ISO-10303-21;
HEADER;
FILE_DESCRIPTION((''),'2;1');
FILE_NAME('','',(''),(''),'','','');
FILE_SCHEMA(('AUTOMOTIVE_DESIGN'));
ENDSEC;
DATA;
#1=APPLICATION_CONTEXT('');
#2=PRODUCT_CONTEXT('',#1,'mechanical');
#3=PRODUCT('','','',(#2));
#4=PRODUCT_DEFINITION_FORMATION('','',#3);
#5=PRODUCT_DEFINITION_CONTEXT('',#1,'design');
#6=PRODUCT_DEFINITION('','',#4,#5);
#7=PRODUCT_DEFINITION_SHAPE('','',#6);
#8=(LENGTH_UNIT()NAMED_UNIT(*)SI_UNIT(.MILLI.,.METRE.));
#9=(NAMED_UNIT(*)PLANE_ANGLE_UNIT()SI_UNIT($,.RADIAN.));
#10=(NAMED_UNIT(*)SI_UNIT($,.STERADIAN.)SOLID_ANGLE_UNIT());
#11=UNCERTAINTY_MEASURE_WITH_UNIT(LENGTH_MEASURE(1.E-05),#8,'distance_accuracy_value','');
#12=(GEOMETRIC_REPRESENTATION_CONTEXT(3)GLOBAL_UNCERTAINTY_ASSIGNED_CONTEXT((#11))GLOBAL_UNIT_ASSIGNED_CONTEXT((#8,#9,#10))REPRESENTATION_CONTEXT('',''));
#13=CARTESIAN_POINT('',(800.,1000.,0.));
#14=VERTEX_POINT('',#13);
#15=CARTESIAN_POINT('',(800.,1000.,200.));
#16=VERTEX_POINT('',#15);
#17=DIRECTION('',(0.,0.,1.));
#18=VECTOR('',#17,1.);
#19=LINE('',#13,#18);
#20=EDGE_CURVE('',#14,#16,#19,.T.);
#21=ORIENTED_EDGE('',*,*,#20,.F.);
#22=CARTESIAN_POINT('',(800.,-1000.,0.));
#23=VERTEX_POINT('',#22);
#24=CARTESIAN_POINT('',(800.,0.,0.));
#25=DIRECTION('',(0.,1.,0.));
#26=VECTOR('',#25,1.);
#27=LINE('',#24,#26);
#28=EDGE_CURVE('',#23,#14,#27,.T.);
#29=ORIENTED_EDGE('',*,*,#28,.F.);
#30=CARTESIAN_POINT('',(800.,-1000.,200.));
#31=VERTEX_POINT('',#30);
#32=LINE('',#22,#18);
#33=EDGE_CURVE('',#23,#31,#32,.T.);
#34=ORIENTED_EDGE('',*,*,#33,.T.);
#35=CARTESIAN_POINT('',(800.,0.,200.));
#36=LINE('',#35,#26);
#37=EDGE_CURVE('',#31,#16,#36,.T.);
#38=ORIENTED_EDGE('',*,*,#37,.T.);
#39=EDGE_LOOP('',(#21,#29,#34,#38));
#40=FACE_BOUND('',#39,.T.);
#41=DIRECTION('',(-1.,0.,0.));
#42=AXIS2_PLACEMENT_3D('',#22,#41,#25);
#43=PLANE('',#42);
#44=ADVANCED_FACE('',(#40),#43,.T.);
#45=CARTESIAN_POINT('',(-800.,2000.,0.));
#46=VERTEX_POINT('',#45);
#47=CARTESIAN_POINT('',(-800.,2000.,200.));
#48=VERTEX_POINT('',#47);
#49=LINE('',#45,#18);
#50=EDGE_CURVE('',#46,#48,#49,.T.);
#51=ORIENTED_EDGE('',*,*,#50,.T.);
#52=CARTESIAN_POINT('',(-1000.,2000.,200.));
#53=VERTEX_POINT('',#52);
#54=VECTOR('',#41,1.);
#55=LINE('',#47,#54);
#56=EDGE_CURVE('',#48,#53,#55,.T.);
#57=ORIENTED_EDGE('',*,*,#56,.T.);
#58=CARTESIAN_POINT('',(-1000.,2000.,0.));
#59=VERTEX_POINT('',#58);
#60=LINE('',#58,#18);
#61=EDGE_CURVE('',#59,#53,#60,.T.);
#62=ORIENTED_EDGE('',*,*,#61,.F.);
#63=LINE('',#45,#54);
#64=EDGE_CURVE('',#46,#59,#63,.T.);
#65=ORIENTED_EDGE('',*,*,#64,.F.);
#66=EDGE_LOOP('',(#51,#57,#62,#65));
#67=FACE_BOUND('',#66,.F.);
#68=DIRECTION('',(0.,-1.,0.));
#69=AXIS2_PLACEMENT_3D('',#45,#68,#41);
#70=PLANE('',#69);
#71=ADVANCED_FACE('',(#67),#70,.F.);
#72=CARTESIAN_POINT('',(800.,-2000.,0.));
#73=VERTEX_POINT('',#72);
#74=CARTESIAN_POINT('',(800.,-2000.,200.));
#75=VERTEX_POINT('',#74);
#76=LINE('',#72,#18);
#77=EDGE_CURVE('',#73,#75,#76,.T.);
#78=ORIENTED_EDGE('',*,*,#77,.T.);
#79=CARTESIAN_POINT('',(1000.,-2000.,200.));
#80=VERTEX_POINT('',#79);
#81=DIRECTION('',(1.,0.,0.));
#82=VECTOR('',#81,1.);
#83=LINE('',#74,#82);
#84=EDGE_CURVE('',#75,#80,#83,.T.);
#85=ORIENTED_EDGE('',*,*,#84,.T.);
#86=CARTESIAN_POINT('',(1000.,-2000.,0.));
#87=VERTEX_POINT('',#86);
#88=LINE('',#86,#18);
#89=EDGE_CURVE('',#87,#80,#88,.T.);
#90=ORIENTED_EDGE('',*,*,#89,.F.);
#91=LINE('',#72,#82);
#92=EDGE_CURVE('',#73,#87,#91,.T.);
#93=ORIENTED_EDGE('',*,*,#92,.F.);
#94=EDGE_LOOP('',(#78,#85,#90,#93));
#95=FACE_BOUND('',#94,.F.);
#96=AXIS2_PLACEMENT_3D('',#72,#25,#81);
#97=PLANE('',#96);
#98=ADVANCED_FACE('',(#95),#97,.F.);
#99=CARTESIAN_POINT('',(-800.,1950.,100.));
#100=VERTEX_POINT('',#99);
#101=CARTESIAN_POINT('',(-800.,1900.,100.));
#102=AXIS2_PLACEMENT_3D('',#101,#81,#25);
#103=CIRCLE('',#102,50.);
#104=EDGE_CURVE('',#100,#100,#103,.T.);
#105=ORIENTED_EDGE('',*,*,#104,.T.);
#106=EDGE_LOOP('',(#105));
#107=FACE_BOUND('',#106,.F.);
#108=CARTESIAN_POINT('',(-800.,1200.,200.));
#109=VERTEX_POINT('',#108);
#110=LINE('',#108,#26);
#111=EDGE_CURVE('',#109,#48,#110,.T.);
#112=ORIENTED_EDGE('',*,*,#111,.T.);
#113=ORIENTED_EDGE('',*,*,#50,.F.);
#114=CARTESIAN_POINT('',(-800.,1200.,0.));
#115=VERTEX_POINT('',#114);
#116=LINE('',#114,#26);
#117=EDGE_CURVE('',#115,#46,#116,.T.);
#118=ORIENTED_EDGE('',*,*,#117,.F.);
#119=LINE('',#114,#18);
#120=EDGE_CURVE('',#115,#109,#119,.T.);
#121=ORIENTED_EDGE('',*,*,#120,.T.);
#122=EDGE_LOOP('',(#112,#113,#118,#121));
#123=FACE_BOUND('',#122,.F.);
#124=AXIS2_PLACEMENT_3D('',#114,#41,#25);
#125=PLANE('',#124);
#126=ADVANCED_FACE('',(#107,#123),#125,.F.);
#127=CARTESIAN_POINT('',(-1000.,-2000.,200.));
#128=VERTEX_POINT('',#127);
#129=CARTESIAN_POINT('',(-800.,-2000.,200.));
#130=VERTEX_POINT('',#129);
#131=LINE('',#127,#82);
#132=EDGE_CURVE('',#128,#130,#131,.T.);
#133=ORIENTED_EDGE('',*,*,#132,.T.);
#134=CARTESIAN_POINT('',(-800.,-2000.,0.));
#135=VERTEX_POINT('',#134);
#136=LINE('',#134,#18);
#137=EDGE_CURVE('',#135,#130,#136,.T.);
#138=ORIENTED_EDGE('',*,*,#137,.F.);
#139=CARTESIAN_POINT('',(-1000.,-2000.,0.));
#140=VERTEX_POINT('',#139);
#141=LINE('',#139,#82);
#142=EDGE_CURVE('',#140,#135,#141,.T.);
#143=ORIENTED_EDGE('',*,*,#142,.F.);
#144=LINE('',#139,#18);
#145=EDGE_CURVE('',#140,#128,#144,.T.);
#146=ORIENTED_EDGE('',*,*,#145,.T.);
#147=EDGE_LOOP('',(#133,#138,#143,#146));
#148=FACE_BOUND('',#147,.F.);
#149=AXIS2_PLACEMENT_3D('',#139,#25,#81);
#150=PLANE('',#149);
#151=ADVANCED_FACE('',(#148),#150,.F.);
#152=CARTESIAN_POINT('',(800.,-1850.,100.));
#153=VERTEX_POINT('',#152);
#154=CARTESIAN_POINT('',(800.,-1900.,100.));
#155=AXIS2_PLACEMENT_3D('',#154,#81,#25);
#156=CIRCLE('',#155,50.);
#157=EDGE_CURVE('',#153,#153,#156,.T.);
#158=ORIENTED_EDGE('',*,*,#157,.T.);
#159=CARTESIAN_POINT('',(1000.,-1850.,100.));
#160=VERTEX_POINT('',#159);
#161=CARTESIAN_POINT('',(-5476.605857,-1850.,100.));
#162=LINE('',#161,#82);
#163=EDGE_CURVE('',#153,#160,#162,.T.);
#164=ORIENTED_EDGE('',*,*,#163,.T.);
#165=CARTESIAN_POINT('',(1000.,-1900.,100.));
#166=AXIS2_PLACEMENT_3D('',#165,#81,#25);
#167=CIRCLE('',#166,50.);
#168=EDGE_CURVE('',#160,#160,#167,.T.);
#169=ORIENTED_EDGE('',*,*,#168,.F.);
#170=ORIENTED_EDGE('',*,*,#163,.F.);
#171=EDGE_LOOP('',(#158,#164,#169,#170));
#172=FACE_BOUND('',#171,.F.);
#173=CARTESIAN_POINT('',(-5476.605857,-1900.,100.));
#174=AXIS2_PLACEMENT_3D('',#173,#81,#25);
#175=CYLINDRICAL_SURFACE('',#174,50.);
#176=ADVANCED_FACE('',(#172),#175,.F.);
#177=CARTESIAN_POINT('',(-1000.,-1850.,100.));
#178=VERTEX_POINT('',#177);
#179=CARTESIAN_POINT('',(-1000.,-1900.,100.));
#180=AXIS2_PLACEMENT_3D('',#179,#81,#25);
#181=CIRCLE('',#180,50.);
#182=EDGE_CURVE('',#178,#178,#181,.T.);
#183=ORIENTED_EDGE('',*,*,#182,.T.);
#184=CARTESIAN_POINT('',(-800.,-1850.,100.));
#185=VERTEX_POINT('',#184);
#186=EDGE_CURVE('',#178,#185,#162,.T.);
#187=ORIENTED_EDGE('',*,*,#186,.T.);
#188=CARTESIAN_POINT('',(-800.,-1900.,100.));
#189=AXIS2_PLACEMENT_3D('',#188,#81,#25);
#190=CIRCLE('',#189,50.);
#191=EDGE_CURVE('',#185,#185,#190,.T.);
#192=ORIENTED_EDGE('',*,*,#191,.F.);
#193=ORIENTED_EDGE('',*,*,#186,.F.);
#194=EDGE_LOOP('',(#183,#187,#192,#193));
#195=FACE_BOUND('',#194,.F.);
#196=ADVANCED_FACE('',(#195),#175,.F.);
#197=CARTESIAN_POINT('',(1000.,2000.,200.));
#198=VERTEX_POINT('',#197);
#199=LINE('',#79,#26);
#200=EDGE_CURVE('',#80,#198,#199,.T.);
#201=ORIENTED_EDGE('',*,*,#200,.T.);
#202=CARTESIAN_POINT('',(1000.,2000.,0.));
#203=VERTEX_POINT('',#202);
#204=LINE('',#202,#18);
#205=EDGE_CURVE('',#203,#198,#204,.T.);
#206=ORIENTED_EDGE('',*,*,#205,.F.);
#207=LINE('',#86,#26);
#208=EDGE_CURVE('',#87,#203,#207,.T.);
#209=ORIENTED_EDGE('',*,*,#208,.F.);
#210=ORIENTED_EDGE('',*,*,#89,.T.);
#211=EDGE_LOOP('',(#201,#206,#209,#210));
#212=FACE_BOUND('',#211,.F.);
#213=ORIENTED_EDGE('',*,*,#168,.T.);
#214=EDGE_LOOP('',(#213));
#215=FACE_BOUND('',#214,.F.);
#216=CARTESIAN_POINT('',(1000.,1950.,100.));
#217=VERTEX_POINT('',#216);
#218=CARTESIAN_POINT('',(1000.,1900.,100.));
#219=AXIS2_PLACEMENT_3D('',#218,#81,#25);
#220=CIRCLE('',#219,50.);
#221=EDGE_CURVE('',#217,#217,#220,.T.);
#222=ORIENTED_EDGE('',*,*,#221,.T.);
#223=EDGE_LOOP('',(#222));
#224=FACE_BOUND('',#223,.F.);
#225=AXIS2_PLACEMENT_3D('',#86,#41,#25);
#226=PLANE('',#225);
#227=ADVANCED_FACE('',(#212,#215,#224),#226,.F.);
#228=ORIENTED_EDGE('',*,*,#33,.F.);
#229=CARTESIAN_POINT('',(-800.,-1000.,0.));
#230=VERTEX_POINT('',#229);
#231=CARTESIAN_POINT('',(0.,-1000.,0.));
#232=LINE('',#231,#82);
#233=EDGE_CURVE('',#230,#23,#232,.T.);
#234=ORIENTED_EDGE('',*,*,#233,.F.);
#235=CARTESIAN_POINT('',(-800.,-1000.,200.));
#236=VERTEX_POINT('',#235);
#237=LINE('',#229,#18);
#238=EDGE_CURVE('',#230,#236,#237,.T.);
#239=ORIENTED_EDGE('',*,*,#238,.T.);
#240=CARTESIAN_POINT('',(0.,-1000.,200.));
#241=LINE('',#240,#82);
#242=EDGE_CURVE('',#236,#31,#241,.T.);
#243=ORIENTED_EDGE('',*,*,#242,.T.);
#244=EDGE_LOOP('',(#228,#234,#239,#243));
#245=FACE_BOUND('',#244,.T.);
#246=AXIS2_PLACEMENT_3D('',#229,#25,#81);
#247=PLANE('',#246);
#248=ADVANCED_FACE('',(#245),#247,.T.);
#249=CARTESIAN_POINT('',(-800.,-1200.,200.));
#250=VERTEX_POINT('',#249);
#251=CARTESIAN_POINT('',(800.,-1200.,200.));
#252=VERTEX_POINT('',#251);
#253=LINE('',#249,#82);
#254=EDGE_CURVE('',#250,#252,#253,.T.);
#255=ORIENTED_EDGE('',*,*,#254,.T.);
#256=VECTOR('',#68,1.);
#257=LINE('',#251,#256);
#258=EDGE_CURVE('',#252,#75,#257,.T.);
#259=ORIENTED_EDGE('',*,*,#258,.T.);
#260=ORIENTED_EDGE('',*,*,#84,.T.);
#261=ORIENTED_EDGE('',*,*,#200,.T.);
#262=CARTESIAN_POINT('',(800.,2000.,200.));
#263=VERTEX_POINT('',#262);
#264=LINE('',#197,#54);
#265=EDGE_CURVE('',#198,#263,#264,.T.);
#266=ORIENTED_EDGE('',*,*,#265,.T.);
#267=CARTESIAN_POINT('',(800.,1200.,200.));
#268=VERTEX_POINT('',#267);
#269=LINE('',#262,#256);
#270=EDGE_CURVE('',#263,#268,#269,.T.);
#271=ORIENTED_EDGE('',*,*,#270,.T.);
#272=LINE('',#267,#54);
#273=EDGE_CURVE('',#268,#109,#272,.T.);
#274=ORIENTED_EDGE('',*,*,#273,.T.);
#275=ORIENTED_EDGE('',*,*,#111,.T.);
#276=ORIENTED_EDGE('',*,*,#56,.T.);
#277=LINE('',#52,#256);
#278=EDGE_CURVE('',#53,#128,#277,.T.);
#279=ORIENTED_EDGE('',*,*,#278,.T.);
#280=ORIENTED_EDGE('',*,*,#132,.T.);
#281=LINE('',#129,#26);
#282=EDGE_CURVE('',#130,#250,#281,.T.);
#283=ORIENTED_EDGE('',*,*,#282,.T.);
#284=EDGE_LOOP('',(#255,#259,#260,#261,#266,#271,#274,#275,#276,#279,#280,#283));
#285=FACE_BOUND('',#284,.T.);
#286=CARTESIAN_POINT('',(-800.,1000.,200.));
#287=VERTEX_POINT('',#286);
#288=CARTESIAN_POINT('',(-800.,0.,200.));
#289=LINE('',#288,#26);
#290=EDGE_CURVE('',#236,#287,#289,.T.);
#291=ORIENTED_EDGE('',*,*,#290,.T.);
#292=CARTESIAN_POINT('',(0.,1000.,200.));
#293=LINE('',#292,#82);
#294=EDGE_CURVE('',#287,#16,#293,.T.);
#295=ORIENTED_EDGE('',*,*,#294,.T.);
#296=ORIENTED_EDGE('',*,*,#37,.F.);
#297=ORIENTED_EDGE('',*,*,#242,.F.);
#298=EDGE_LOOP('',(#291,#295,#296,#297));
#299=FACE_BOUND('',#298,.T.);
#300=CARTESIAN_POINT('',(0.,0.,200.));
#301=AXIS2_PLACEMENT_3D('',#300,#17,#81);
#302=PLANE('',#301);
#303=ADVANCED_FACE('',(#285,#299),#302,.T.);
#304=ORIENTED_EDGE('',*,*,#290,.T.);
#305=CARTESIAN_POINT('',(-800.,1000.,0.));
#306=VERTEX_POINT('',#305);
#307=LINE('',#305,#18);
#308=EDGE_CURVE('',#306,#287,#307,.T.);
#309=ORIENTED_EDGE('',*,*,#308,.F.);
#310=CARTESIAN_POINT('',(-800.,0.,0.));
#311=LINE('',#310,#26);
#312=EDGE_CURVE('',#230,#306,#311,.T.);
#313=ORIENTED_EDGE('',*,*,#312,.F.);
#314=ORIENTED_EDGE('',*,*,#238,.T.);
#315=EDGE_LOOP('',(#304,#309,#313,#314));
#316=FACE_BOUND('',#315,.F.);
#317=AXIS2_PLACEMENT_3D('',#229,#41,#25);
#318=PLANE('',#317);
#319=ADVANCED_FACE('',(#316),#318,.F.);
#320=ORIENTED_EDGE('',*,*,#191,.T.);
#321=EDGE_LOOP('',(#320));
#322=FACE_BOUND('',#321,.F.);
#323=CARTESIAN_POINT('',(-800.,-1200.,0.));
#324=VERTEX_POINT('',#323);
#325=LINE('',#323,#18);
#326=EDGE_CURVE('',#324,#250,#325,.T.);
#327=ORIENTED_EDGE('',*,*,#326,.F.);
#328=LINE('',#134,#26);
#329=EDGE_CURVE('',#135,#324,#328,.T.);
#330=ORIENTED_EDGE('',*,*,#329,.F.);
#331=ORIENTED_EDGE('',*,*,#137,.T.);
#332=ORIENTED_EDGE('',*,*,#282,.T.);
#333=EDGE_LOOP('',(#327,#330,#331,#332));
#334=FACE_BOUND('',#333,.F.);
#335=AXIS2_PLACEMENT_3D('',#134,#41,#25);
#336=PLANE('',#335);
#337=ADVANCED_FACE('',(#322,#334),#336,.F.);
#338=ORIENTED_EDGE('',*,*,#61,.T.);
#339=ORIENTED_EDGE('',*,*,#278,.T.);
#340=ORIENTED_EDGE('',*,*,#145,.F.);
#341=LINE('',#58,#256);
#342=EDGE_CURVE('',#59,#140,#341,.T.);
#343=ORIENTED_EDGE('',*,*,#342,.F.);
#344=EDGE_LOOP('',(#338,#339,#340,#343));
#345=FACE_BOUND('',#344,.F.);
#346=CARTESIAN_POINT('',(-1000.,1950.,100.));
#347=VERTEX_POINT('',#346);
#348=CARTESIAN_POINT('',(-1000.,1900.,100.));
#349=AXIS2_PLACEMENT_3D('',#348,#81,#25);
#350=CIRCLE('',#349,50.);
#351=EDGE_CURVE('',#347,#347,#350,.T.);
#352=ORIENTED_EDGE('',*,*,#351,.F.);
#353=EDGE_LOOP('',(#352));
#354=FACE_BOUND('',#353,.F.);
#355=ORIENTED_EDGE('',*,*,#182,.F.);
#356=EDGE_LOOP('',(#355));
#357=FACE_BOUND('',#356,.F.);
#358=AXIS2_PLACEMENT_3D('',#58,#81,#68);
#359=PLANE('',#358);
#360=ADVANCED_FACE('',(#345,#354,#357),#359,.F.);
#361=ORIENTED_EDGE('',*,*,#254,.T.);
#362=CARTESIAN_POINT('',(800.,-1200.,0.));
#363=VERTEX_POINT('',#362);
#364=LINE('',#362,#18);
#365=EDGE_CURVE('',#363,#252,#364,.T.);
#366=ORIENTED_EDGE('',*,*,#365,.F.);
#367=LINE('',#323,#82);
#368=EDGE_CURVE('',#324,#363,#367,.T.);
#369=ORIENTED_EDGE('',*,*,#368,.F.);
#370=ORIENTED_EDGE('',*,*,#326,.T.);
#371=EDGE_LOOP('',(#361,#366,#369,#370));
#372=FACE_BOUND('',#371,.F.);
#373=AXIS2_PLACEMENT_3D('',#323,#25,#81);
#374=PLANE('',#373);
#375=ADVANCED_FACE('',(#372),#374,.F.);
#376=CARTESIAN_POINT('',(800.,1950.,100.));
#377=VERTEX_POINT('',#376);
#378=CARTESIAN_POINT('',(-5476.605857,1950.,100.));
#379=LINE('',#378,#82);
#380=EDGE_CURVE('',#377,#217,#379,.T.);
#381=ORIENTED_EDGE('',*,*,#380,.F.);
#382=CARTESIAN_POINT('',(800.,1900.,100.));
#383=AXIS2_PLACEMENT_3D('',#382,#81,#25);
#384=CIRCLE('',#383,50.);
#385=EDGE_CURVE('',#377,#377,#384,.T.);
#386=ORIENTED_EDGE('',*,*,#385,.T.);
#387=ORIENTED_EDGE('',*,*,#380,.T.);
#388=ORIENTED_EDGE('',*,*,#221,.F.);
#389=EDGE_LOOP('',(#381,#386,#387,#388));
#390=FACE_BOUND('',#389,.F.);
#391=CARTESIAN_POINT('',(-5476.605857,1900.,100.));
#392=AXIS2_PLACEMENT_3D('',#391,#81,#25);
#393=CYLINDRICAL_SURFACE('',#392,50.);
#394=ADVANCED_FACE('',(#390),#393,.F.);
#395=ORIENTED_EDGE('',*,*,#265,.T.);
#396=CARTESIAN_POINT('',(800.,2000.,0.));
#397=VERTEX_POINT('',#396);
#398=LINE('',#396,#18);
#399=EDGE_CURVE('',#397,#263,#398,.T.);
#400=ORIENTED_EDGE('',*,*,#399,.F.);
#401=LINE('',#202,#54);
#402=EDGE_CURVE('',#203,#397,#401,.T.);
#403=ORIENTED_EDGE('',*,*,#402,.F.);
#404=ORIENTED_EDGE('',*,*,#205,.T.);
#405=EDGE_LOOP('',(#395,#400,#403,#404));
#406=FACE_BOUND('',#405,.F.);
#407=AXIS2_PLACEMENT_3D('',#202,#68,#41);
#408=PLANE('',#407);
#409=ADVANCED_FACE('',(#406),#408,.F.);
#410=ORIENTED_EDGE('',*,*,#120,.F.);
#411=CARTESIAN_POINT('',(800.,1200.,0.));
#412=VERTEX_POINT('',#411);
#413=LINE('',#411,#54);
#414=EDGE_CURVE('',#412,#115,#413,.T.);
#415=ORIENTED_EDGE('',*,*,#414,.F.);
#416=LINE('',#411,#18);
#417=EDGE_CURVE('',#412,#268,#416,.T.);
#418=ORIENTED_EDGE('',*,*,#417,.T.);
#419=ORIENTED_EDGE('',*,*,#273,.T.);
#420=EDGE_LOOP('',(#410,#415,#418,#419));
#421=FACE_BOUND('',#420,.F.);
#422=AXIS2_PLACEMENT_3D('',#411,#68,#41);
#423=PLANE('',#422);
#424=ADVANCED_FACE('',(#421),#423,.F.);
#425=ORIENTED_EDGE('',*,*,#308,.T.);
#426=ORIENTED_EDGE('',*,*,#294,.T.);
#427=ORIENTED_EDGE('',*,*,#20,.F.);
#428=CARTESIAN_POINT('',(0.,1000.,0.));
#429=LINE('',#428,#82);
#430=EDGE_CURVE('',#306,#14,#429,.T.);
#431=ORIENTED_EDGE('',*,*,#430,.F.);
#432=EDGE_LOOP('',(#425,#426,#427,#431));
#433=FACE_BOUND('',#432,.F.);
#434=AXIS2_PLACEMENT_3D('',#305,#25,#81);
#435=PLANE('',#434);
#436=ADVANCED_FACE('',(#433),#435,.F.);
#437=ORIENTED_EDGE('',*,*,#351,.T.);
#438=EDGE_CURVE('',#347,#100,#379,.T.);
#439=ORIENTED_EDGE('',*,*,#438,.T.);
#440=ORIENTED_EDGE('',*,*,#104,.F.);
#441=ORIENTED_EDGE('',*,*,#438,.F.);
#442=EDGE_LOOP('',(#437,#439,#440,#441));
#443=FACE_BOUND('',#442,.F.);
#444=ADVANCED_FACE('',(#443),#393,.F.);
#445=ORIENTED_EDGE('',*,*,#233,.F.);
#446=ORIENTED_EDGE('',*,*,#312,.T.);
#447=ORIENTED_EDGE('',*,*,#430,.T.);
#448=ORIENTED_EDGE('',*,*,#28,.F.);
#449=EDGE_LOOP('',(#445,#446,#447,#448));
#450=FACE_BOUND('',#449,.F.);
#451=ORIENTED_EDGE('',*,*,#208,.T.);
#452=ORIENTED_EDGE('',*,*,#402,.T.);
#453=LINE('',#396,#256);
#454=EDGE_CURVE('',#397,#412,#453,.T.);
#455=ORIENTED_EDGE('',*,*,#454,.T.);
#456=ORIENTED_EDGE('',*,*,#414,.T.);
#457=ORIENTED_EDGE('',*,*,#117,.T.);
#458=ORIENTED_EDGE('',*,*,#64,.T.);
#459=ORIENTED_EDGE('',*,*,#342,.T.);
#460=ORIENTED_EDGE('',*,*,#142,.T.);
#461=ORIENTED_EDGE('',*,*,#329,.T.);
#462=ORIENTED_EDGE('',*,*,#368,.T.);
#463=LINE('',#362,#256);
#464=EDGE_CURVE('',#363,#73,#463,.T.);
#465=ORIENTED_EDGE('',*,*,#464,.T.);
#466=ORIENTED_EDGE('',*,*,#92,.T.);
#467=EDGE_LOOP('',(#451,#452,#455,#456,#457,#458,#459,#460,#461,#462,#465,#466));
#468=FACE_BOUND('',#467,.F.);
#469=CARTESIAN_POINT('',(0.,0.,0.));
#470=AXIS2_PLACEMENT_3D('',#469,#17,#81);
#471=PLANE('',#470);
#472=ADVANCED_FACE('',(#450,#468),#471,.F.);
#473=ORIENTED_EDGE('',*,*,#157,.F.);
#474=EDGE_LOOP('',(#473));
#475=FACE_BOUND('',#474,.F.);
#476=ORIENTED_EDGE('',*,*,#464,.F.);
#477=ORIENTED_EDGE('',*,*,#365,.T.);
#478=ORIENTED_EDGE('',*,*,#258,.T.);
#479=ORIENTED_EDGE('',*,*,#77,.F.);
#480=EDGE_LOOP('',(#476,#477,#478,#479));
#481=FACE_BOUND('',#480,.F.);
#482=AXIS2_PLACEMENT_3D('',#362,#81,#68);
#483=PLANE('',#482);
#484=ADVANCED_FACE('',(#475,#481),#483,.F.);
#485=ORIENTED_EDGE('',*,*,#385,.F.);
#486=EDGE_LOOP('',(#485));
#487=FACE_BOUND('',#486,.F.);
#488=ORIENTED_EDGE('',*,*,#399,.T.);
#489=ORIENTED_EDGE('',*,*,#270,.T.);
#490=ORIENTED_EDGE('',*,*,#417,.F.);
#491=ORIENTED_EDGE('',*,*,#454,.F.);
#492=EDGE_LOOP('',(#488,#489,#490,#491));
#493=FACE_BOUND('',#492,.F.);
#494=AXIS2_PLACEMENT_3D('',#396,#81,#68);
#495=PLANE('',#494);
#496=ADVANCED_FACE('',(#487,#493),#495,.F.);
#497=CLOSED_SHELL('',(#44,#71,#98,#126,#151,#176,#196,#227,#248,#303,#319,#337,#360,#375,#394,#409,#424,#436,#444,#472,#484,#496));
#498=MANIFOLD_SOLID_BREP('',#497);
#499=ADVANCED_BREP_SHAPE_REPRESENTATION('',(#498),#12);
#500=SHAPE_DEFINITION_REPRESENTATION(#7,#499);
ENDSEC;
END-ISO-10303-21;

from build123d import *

# Parameters (mm, degrees)
F0_W     = 1600
F0_H     = 2000
F1_DEPTH = 200
F3_D     = 100


with BuildPart() as f1:
    # F0 (on Top) → F1 (new body)
    with BuildSketch(Plane.XY):
        Polygon((-800, 2000), (-1000, 2000), (-1000, -2000), (-800, -2000), (-800, -1200), (800, -1200), (800, -2000), (1000, -2000), (1000, 2000), (800, 2000), (800, 1200), (-800, 1200), align=None)
        Rectangle(F0_W, F0_H, mode=Mode.SUBTRACT)
    extrude(amount=F1_DEPTH)

    # F3 (through all)
    with Locations(Plane(origin=(-1000, 0, 0), x_dir=(0, -1, 0), z_dir=(-1, 0, 0))):
        with Locations((-1900, 100), (1900, 100)):
            Hole(F3_D / 2)


solid = f1.part
